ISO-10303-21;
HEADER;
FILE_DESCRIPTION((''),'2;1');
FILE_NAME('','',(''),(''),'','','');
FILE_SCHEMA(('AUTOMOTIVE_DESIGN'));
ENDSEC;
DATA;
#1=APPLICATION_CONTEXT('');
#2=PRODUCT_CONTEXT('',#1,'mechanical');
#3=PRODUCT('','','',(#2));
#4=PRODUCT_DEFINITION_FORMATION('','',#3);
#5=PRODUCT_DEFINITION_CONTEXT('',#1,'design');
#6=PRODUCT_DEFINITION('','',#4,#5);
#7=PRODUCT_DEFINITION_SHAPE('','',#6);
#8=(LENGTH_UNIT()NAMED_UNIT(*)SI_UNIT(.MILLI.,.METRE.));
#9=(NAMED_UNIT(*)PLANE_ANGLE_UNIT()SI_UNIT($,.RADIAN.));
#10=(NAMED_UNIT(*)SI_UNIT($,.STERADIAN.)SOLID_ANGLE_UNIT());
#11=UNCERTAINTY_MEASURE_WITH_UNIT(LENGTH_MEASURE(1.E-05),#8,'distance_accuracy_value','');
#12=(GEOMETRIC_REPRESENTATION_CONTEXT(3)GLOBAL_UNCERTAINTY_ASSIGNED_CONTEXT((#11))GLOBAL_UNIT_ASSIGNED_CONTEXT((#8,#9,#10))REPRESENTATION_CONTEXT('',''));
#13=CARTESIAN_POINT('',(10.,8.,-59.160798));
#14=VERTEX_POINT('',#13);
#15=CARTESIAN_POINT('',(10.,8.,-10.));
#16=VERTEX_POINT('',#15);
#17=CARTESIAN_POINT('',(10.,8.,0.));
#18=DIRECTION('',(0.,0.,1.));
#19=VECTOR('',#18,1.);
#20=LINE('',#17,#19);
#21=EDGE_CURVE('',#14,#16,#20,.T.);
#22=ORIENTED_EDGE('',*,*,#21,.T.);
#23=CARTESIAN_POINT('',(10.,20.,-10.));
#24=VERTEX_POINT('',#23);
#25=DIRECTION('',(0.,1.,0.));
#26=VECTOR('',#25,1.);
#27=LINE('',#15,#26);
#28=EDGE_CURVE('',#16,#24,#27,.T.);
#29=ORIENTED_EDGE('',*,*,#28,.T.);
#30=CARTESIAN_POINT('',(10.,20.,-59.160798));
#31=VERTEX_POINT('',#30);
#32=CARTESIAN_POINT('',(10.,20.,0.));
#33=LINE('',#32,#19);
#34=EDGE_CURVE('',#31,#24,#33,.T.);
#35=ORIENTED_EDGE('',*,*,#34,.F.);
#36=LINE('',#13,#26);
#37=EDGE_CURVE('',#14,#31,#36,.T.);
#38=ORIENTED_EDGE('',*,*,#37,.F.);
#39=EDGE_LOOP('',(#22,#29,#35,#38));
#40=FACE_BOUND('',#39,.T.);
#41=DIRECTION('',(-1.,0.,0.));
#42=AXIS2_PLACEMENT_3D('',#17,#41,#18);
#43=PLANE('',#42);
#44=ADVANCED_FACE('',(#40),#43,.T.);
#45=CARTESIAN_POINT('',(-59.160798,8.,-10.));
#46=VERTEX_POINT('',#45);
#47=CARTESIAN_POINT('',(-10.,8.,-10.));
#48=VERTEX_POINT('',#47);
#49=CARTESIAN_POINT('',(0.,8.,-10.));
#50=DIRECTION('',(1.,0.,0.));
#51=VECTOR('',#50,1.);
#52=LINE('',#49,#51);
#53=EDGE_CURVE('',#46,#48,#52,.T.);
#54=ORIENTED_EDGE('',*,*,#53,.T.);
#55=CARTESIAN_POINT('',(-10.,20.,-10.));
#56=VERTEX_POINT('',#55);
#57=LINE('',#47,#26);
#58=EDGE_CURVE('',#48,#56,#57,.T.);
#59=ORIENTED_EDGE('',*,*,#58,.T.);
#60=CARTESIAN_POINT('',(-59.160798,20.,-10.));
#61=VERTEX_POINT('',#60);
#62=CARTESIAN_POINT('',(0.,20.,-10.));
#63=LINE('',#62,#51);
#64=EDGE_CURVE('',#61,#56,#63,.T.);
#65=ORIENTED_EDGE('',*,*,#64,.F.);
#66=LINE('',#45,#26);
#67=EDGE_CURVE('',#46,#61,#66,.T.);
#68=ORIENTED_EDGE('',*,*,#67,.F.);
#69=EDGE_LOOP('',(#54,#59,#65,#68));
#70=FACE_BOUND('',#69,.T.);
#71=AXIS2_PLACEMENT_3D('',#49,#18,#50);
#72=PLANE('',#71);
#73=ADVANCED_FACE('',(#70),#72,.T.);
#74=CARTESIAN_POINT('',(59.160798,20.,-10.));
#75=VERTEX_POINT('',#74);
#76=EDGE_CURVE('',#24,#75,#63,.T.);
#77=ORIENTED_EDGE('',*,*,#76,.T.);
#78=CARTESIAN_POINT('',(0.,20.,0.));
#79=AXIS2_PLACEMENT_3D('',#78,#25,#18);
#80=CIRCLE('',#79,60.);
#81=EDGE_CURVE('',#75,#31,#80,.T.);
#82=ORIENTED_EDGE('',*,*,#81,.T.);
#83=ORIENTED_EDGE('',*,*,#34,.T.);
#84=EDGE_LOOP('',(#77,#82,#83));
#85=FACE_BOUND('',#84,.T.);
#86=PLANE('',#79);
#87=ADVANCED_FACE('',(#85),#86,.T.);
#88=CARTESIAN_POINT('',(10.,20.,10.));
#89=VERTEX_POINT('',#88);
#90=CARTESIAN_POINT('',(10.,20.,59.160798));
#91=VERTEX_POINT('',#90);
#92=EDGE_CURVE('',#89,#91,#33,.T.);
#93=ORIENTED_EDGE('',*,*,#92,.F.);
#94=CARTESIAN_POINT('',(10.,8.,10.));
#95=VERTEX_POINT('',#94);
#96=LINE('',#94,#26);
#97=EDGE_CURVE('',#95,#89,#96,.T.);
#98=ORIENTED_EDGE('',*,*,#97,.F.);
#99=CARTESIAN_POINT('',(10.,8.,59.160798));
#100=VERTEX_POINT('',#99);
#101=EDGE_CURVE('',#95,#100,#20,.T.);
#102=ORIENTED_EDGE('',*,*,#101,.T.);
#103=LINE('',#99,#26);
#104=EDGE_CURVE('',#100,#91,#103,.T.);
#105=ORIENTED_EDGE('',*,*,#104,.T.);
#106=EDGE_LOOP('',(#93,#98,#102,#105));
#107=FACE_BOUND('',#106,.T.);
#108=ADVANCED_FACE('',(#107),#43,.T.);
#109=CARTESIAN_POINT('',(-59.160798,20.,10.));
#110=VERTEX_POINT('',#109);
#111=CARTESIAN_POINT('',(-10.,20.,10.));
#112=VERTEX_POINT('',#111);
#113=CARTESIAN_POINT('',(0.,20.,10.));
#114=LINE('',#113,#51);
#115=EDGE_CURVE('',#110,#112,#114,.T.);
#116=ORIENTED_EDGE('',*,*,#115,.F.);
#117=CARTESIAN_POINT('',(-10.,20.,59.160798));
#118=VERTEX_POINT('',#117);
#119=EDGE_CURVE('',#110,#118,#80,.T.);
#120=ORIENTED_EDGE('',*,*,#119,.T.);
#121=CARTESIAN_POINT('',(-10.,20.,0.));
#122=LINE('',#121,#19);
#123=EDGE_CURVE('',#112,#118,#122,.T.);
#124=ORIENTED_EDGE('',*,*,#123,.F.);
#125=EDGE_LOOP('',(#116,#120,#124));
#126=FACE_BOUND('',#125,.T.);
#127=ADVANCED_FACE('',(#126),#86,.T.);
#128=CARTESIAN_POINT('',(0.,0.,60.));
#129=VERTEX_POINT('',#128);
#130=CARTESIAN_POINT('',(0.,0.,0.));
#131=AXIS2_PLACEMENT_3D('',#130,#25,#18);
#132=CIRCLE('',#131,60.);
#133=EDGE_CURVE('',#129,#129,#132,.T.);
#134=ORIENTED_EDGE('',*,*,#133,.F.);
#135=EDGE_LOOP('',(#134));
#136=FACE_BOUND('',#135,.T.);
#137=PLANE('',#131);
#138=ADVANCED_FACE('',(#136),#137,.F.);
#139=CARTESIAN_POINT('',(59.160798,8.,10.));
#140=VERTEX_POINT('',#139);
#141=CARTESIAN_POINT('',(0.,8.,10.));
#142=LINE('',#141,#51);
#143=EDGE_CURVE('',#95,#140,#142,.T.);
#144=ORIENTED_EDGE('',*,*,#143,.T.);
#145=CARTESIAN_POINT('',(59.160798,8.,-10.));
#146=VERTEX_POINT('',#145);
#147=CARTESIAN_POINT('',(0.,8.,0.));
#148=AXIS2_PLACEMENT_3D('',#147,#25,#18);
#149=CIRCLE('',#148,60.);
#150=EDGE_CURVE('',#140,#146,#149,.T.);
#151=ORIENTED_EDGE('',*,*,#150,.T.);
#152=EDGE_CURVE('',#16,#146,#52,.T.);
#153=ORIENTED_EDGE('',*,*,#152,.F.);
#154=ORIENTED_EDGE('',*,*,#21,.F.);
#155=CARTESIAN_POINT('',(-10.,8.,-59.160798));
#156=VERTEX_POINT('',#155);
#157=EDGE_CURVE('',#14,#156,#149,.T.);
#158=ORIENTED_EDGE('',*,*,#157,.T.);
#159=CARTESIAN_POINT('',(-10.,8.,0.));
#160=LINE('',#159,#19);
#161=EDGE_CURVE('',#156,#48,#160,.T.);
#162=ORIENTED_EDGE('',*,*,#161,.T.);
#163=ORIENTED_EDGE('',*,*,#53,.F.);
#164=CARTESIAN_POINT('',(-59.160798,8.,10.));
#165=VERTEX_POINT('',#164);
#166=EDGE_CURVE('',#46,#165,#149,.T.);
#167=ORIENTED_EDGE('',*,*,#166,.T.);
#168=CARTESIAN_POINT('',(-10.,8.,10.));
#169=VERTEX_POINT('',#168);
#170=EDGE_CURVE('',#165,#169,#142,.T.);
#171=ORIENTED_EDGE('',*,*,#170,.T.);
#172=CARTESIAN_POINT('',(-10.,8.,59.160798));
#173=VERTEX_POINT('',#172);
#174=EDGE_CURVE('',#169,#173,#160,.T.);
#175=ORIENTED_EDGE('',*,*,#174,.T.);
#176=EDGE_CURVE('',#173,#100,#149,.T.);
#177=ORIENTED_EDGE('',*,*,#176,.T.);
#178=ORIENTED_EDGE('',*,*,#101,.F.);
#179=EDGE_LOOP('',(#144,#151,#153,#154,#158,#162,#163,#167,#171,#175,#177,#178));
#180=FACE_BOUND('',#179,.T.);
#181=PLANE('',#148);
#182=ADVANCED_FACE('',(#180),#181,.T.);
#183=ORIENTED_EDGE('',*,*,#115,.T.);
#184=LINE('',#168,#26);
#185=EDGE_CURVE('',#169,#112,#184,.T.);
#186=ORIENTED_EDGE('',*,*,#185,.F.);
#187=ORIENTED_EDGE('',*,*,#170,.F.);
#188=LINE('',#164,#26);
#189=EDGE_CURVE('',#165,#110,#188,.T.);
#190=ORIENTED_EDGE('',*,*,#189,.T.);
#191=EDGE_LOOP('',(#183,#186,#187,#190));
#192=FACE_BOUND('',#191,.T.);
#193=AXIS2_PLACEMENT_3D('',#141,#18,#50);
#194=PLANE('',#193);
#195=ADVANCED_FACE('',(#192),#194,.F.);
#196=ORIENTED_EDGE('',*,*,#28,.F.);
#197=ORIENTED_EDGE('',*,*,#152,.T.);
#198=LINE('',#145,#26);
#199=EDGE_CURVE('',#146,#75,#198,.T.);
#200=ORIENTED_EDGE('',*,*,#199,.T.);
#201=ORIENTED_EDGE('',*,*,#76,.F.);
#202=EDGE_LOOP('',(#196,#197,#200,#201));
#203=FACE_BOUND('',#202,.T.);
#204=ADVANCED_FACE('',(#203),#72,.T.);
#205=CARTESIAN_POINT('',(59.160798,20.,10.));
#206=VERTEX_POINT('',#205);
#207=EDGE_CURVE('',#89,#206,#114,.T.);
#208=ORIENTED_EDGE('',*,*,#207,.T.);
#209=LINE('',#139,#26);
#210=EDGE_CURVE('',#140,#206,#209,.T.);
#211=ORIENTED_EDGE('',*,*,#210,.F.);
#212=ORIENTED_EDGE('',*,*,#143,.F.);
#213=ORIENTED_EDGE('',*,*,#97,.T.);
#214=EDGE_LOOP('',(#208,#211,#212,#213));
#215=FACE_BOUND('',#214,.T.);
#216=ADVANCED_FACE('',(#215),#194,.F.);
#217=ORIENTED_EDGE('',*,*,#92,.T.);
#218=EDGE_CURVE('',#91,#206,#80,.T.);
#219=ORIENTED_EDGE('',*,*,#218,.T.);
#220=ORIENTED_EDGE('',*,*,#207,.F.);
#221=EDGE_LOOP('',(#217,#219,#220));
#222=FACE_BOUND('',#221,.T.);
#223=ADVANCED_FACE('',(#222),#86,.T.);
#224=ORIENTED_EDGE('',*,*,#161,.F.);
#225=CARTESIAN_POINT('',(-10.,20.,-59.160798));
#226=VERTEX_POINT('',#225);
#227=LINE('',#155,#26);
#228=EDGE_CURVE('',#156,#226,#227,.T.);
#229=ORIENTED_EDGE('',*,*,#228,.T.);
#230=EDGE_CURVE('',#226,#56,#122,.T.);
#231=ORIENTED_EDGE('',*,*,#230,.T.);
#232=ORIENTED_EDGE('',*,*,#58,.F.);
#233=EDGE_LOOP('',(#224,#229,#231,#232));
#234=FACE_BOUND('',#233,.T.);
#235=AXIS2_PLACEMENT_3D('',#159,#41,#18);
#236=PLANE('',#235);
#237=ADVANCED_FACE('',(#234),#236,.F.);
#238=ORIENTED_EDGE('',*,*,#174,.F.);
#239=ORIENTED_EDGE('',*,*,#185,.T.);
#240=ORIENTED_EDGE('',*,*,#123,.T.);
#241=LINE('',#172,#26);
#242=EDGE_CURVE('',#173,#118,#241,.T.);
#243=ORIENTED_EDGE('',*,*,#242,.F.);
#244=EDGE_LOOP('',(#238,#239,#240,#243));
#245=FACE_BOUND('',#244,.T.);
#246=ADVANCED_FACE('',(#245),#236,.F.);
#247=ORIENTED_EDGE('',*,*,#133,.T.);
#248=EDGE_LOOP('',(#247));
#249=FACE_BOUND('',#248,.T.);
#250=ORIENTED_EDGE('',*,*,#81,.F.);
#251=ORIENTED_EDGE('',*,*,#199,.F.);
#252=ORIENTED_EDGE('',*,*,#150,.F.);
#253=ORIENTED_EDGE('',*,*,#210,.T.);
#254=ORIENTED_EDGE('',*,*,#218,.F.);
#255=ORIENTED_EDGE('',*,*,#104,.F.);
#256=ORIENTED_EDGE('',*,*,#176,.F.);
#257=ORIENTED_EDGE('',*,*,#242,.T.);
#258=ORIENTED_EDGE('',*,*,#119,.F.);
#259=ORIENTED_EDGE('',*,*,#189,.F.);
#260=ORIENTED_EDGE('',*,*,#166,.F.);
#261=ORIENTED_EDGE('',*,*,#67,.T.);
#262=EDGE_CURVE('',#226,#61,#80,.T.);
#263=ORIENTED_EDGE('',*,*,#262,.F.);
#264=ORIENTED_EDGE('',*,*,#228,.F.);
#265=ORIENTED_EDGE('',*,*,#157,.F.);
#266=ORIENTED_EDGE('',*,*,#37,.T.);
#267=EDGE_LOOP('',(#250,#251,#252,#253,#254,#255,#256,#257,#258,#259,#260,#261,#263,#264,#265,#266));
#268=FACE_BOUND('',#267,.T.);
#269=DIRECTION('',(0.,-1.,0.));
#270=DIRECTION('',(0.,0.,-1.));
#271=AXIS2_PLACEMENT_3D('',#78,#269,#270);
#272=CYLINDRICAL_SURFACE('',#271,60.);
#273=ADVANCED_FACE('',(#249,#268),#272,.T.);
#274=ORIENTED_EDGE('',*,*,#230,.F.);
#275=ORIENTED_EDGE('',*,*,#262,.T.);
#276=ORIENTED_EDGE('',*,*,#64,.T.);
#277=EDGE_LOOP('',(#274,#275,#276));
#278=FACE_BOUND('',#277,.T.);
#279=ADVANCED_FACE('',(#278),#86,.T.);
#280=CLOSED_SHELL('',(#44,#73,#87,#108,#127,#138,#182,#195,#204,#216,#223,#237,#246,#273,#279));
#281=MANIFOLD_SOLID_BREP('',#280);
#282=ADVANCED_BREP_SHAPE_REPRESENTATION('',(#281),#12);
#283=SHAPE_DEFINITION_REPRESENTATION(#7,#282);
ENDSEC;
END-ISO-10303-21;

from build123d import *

# Parameters (mm, degrees)
BOSS_EXTRUDE1_DEPTH = 20
CUT_EXTRUDE1_START  = 8
CUT_EXTRUDE1_DEPTH  = 12


with BuildPart() as part:
    # Sketch1 → Boss-Extrude1 (new body)
    with BuildSketch(Plane(origin=(0, 0, 0), x_dir=(1, 0, 0), z_dir=(0, 1, 0))):
        with BuildLine():
            Line((-59.160797831, 10), (-10, 10))
            Line((-10, 10), (-10, 59.160797831))
            ThreePointArc((-10, 59.160797831), (-42.426406871, 42.426406871), (-59.160797831, 10))
        make_face()
        with BuildLine():
            Line((-10, 59.160797831), (-10, 10))
            Line((-10, 10), (-59.160797831, 10))
            ThreePointArc((-59.160797831, 10), (-60, 0), (-59.160797831, -10))
            Line((-59.160797831, -10), (-10, -10))
            Line((-10, -10), (-10, -59.160797831))
            ThreePointArc((-10, -59.160797831), (0, -60), (10, -59.160797831))
            Line((10, -59.160797831), (10, -10))
            Line((10, -10), (59.160797831, -10))
            ThreePointArc((59.160797831, -10), (59.789831367, -5.017575617), (60, 0))
            ThreePointArc((60, 0), (59.789831367, 5.017575617), (59.160797831, 10))
            Line((59.160797831, 10), (10, 10))
            Line((10, 10), (10, 59.160797831))
            ThreePointArc((10, 59.160797831), (0, 60), (-10, 59.160797831))
        make_face()
        with BuildLine():
            Line((-10, -10), (-59.160797831, -10))
            ThreePointArc((-59.160797831, -10), (-42.426406871, -42.426406871), (-10, -59.160797831))
            Line((-10, -59.160797831), (-10, -10))
        make_face()
        with BuildLine():
            ThreePointArc((59.160797831, 10), (42.426406871, 42.426406871), (10, 59.160797831))
            Line((10, 59.160797831), (10, 10))
            Line((10, 10), (59.160797831, 10))
        make_face()
        with BuildLine():
            Line((10, -10), (10, -59.160797831))
            ThreePointArc((10, -59.160797831), (42.426406871, -42.426406871), (59.160797831, -10))
            Line((59.160797831, -10), (10, -10))
        make_face()
    extrude(amount=BOSS_EXTRUDE1_DEPTH)

    # Sketch1<3> → Cut-Extrude1 (cut)
    with BuildSketch(Plane(origin=(0, 0, 0), x_dir=(1, 0, 0), z_dir=(0, 1, 0)).offset(CUT_EXTRUDE1_START)):
        with BuildLine():
            Line((-10, 59.160797831), (-10, 10))
            Line((-10, 10), (-59.160797831, 10))
            ThreePointArc((-59.160797831, 10), (-60, 0), (-59.160797831, -10))
            Line((-59.160797831, -10), (-10, -10))
            Line((-10, -10), (-10, -59.160797831))
            ThreePointArc((-10, -59.160797831), (0, -60), (10, -59.160797831))
            Line((10, -59.160797831), (10, -10))
            Line((10, -10), (59.160797831, -10))
            ThreePointArc((59.160797831, -10), (59.789831367, -5.017575617), (60, 0))
            ThreePointArc((60, 0), (59.789831367, 5.017575617), (59.160797831, 10))
            Line((59.160797831, 10), (10, 10))
            Line((10, 10), (10, 59.160797831))
            ThreePointArc((10, 59.160797831), (0, 60), (-10, 59.160797831))
        make_face()
    extrude(amount=CUT_EXTRUDE1_DEPTH, mode=Mode.SUBTRACT)


solid = part.part
